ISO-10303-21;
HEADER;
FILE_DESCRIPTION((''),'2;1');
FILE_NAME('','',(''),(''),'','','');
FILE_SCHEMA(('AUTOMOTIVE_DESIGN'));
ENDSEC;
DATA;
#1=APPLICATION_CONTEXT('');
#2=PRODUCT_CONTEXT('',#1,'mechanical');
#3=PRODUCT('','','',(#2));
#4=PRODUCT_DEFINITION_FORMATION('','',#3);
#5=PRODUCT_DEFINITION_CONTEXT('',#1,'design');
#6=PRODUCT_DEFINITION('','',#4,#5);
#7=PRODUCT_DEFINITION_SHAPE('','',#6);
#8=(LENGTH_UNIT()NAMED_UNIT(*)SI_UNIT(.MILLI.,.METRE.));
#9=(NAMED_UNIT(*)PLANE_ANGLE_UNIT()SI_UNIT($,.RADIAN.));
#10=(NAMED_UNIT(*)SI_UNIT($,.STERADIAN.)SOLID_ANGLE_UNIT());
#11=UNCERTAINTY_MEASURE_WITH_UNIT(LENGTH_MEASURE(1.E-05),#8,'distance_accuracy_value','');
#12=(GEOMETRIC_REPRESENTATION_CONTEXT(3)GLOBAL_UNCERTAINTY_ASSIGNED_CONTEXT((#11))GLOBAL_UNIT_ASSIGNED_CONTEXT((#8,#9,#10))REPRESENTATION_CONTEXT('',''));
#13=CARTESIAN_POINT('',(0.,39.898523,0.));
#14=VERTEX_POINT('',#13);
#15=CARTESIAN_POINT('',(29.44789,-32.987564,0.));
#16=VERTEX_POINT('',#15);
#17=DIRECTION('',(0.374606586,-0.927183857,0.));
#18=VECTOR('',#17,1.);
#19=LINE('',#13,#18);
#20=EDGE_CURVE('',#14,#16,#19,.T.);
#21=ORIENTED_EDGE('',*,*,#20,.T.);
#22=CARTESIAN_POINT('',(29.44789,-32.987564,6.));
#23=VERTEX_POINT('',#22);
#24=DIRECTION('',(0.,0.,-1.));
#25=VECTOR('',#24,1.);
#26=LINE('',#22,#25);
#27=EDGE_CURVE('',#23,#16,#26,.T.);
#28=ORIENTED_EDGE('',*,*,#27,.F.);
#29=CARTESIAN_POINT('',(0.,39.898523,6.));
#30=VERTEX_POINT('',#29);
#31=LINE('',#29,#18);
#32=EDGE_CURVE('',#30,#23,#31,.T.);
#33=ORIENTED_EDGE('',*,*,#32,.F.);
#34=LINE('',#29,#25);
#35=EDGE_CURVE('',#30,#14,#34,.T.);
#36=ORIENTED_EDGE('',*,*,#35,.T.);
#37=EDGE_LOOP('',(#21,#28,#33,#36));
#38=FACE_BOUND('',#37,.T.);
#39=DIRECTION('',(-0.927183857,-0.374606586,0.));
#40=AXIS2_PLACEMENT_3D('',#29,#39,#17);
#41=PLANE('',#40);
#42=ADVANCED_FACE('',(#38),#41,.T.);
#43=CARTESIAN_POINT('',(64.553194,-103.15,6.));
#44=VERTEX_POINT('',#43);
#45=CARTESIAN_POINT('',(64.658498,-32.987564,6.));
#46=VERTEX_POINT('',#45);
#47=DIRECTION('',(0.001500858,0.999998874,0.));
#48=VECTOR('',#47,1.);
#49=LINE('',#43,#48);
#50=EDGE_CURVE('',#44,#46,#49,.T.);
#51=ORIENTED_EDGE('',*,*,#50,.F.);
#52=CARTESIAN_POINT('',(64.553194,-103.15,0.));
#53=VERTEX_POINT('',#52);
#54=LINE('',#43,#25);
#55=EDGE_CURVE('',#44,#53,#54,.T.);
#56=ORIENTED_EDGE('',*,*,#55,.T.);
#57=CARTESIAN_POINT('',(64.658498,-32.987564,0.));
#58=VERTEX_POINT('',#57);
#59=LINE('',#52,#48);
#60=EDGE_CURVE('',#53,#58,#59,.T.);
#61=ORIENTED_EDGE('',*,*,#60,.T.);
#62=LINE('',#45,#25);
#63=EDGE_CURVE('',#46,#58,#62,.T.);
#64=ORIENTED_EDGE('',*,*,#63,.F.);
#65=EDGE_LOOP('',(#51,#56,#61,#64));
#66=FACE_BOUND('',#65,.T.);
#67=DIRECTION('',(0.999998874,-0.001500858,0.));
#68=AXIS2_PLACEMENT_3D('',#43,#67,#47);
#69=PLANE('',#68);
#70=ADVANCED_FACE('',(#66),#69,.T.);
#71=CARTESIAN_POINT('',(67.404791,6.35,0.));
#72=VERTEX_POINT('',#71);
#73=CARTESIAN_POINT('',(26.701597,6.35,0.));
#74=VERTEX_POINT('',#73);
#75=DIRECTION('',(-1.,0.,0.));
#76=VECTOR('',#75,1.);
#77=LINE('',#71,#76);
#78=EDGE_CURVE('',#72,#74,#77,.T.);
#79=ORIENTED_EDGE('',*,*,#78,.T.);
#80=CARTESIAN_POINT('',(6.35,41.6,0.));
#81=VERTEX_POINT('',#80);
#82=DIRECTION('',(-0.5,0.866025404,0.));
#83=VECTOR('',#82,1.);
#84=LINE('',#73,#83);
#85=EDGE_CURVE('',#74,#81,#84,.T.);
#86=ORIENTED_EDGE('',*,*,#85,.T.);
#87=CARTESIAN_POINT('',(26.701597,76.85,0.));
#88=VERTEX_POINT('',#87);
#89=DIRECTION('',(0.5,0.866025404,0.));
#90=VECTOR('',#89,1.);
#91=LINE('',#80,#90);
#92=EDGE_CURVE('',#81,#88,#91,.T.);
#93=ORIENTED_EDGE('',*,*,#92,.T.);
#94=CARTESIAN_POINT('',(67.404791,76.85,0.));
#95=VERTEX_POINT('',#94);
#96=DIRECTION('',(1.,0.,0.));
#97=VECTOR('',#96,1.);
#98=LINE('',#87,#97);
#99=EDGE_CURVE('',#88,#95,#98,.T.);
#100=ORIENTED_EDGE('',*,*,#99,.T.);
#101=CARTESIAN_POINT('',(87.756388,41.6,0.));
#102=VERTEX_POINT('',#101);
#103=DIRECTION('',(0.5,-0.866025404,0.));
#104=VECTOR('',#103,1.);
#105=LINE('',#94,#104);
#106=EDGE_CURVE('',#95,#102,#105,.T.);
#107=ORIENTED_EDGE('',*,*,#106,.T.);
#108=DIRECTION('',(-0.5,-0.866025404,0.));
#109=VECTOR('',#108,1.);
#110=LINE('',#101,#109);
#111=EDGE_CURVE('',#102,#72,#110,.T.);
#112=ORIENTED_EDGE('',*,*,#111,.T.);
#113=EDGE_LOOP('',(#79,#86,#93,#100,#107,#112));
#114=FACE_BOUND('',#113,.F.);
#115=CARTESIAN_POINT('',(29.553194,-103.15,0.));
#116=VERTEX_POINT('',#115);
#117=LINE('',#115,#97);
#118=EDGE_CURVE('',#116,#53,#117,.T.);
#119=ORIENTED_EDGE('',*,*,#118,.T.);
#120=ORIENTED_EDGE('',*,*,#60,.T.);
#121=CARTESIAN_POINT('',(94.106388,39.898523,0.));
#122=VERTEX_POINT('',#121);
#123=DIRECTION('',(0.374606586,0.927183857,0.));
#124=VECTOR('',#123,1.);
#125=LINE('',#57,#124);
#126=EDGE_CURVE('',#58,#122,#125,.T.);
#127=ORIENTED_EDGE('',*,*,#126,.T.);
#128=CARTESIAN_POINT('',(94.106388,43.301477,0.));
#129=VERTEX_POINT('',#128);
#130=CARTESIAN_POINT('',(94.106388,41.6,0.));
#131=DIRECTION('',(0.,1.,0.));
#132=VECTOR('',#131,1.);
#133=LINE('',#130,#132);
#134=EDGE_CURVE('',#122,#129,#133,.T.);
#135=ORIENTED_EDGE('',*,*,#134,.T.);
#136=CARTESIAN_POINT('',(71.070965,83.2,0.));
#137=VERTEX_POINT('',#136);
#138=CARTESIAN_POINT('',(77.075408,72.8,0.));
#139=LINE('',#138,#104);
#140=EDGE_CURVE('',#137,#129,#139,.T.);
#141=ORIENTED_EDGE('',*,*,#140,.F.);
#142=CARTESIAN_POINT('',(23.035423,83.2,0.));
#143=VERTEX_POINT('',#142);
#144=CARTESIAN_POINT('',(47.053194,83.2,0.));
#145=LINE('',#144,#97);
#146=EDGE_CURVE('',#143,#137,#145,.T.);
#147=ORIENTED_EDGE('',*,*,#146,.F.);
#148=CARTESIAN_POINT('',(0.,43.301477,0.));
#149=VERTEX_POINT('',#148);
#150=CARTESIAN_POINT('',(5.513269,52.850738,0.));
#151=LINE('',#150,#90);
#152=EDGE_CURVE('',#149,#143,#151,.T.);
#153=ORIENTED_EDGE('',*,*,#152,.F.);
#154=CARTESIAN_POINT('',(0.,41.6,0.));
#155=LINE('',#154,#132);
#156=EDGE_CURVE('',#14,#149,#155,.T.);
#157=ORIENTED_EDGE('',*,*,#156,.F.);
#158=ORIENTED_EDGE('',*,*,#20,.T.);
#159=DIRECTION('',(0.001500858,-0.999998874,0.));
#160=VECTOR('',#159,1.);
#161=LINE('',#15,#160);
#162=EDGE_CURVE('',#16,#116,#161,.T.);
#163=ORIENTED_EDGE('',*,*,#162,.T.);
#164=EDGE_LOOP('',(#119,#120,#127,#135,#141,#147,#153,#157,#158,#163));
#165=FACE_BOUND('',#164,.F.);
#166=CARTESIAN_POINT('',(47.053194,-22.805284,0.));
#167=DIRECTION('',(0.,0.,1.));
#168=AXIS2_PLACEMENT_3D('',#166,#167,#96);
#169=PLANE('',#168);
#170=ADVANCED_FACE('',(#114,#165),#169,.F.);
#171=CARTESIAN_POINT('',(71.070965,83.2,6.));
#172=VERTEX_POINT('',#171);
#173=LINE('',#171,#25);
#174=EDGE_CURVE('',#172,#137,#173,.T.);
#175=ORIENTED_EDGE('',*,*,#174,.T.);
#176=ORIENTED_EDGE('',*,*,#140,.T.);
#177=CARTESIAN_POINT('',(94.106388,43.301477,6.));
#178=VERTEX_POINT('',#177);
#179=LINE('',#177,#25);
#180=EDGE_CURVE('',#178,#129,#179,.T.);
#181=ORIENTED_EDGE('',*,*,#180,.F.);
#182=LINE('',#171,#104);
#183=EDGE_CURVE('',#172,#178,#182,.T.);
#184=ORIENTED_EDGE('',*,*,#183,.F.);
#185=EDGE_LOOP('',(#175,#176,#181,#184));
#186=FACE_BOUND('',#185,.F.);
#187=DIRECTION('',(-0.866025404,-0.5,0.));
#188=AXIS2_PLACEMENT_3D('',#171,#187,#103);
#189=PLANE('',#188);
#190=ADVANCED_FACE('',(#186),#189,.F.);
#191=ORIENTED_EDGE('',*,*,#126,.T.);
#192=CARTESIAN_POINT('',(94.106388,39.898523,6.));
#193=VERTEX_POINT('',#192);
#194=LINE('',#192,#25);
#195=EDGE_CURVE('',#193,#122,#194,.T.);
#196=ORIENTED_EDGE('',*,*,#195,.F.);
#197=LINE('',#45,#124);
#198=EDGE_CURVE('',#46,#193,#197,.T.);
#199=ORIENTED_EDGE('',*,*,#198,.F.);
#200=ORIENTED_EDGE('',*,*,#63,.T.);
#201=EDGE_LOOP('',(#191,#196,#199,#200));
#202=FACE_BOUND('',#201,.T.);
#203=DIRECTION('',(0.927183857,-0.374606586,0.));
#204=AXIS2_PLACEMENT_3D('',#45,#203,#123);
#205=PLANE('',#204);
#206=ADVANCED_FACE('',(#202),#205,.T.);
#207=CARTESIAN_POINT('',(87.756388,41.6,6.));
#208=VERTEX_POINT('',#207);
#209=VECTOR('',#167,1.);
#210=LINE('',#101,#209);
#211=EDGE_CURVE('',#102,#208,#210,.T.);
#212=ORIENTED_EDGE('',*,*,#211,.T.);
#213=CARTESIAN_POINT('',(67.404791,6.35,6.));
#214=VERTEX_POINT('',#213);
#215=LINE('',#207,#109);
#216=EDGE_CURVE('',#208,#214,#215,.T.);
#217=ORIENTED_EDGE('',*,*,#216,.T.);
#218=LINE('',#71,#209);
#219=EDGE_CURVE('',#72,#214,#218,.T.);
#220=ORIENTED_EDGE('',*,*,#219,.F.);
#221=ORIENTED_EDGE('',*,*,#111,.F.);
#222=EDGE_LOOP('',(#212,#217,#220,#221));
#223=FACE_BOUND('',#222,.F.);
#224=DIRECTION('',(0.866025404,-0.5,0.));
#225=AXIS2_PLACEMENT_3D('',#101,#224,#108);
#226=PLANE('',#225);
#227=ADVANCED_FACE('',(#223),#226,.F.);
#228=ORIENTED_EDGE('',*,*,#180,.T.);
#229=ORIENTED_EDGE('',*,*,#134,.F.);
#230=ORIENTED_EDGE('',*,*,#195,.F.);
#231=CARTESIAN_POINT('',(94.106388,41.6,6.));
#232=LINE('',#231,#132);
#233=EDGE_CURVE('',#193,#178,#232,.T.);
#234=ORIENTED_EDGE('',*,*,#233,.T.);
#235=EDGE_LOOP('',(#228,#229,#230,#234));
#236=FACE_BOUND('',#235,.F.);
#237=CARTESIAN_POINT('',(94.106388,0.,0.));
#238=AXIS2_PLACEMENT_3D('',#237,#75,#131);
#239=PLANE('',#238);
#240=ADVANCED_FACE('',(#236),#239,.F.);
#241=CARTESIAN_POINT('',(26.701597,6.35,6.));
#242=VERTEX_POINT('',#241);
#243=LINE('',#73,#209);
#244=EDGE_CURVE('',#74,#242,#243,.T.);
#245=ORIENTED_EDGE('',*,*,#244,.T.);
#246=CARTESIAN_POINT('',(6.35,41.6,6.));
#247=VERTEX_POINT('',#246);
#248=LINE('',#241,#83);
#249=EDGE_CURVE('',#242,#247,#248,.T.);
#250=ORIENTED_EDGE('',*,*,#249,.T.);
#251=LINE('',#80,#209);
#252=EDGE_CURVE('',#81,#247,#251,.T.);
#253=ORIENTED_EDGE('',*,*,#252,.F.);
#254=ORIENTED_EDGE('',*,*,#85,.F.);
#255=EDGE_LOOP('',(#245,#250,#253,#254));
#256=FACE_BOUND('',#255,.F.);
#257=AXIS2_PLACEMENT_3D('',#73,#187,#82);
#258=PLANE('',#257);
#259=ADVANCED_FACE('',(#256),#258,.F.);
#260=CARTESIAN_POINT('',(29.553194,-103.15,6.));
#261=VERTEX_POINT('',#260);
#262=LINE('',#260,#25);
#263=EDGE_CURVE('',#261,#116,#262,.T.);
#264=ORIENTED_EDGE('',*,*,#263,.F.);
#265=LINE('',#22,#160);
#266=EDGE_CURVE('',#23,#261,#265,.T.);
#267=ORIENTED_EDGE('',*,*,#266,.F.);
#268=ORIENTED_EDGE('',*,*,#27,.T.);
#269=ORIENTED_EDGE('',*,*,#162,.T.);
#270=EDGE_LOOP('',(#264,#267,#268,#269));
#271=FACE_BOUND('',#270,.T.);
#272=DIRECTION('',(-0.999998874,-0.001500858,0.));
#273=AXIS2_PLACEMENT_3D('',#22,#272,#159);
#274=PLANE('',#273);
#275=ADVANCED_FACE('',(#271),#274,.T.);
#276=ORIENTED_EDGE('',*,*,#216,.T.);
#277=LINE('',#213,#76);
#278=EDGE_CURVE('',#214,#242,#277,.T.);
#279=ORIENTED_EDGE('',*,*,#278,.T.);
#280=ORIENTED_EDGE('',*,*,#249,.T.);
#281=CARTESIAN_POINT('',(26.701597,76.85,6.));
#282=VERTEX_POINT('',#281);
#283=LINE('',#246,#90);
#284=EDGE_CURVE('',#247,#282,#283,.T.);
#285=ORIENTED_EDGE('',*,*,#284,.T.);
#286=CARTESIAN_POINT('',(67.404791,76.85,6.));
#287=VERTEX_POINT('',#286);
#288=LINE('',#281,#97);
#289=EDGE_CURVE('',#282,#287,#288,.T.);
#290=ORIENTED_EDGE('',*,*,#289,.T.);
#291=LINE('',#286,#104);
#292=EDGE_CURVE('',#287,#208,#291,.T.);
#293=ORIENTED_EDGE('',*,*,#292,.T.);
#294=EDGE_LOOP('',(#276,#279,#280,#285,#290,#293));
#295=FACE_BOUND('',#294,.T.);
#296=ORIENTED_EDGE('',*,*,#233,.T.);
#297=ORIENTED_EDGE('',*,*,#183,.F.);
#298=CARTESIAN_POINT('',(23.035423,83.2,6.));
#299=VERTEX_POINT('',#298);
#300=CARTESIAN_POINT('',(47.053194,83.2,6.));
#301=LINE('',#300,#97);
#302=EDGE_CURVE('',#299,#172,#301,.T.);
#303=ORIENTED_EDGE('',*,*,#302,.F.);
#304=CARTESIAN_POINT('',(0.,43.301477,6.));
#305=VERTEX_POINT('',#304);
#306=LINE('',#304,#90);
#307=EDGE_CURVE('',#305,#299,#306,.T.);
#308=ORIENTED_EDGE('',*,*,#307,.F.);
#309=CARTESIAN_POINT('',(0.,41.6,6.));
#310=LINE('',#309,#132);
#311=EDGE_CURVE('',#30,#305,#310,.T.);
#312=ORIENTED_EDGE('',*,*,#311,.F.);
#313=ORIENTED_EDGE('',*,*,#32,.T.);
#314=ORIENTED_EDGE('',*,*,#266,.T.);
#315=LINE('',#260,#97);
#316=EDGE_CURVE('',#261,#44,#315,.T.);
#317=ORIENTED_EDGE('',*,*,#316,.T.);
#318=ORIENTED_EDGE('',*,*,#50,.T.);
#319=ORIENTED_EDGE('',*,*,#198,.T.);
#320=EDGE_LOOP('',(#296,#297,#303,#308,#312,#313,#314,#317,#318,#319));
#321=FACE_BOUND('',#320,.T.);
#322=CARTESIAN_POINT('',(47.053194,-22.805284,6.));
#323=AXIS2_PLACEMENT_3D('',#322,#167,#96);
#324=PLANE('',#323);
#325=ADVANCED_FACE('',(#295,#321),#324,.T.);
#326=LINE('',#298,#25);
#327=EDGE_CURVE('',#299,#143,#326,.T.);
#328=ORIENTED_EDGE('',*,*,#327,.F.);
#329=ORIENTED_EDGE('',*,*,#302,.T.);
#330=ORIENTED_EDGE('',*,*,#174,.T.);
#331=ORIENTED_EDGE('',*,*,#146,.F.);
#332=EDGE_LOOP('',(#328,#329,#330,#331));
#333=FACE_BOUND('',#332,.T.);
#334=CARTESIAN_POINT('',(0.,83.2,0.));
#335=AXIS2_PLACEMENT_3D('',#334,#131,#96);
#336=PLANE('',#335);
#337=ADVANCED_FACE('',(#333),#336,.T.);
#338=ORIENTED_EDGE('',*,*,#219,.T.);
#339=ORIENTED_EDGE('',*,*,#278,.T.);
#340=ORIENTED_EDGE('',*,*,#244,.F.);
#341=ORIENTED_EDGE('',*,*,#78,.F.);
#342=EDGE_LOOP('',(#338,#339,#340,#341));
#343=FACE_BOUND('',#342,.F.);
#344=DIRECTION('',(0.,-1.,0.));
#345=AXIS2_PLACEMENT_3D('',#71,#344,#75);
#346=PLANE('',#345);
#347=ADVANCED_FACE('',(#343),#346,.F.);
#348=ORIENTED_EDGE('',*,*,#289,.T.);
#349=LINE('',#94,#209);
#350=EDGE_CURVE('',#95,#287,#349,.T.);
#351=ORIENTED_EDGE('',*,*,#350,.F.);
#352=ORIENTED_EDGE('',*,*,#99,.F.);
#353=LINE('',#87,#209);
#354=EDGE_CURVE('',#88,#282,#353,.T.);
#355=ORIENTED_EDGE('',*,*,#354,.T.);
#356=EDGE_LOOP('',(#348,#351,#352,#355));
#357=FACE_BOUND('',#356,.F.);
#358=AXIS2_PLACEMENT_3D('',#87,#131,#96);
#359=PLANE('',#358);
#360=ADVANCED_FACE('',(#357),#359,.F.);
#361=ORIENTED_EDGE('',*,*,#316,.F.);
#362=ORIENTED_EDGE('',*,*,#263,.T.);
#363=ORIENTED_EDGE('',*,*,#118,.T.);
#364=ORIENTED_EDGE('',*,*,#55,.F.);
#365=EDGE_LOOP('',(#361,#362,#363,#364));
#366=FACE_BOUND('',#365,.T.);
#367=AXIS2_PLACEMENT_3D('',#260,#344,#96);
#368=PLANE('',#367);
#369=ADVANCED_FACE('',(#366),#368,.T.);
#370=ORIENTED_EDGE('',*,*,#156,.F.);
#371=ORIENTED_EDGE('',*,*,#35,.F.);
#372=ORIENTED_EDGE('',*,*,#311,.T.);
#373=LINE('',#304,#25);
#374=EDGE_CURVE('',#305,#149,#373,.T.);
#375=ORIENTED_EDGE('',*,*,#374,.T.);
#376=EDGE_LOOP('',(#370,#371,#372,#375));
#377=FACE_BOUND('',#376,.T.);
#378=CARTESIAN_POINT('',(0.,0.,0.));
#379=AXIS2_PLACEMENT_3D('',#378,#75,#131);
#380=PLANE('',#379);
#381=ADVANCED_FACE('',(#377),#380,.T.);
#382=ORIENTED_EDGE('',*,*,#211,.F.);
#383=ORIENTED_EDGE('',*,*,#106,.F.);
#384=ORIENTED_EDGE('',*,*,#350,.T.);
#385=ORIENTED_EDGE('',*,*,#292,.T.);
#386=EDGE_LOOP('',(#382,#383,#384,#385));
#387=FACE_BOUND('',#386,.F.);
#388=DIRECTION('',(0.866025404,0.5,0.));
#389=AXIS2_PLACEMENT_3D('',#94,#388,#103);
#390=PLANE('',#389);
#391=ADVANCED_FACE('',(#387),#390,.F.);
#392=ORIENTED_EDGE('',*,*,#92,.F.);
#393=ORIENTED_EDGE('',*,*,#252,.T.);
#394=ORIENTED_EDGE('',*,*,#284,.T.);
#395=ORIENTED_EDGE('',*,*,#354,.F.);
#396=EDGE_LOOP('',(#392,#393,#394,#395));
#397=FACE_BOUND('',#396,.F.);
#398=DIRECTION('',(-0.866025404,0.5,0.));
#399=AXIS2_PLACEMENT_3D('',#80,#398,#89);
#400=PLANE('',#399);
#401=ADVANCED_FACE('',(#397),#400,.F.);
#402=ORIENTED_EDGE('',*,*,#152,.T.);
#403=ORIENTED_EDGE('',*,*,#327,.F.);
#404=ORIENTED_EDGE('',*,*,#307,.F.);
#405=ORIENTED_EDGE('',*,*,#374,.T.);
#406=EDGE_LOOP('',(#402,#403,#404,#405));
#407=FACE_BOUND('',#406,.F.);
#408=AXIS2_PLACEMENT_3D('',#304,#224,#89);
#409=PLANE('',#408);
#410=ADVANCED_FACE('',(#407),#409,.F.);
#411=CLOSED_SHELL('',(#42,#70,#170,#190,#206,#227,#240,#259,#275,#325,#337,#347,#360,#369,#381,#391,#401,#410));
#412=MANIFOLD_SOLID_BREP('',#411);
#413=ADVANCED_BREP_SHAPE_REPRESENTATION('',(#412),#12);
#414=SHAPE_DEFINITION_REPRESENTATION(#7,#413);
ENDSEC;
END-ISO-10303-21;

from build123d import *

# Parameters (mm, degrees)
F0_W     = 94.106388
F0_H     = 83.2
F1_DEPTH = 6
F3_DEPTH = 6.001
F5_DEPTH = 6


with BuildPart() as f1:
    # F0 (on Top) → F1 (new body)
    with BuildSketch(Plane.XY):
        with Locations((47.053194, 41.6)):
            Rectangle(F0_W, F0_H)
        Polygon((67.404791, 6.35), (26.701597, 6.35), (6.35, 41.6), (26.701597, 76.85), (67.404791, 76.85), (87.756388, 41.6), align=None, mode=Mode.SUBTRACT)
    extrude(amount=F1_DEPTH)

    # F2 (on face) → F3 (cut, through all)
    with BuildSketch(Plane.XY.offset(6)):
        Polygon((0, 83.2), (0, 43.301477), (23.035423, 83.2), align=None)
        Polygon((94.106388, 83.2), (71.070965, 83.2), (94.106388, 43.301477), align=None)
        Polygon((94.106388, 39.898523), (71.070965, 0), (94.106388, 0), align=None)
        Polygon((23.035423, 0), (0, 39.898523), (0, 0), align=None)
    extrude(amount=-F3_DEPTH, mode=Mode.SUBTRACT)

    # F4 (on face) → F5 (join)
    with BuildSketch(Plane.XY.offset(6)):
        Polygon((23.035423, 0), (0, 39.898523), (29.44789, -32.987564), (29.553194, -103.15), (64.553194, -103.15), (64.658498, -32.987564), (94.106388, 39.898523), (71.070965, 0), align=None)
    extrude(amount=-F5_DEPTH)


solid = f1.part
